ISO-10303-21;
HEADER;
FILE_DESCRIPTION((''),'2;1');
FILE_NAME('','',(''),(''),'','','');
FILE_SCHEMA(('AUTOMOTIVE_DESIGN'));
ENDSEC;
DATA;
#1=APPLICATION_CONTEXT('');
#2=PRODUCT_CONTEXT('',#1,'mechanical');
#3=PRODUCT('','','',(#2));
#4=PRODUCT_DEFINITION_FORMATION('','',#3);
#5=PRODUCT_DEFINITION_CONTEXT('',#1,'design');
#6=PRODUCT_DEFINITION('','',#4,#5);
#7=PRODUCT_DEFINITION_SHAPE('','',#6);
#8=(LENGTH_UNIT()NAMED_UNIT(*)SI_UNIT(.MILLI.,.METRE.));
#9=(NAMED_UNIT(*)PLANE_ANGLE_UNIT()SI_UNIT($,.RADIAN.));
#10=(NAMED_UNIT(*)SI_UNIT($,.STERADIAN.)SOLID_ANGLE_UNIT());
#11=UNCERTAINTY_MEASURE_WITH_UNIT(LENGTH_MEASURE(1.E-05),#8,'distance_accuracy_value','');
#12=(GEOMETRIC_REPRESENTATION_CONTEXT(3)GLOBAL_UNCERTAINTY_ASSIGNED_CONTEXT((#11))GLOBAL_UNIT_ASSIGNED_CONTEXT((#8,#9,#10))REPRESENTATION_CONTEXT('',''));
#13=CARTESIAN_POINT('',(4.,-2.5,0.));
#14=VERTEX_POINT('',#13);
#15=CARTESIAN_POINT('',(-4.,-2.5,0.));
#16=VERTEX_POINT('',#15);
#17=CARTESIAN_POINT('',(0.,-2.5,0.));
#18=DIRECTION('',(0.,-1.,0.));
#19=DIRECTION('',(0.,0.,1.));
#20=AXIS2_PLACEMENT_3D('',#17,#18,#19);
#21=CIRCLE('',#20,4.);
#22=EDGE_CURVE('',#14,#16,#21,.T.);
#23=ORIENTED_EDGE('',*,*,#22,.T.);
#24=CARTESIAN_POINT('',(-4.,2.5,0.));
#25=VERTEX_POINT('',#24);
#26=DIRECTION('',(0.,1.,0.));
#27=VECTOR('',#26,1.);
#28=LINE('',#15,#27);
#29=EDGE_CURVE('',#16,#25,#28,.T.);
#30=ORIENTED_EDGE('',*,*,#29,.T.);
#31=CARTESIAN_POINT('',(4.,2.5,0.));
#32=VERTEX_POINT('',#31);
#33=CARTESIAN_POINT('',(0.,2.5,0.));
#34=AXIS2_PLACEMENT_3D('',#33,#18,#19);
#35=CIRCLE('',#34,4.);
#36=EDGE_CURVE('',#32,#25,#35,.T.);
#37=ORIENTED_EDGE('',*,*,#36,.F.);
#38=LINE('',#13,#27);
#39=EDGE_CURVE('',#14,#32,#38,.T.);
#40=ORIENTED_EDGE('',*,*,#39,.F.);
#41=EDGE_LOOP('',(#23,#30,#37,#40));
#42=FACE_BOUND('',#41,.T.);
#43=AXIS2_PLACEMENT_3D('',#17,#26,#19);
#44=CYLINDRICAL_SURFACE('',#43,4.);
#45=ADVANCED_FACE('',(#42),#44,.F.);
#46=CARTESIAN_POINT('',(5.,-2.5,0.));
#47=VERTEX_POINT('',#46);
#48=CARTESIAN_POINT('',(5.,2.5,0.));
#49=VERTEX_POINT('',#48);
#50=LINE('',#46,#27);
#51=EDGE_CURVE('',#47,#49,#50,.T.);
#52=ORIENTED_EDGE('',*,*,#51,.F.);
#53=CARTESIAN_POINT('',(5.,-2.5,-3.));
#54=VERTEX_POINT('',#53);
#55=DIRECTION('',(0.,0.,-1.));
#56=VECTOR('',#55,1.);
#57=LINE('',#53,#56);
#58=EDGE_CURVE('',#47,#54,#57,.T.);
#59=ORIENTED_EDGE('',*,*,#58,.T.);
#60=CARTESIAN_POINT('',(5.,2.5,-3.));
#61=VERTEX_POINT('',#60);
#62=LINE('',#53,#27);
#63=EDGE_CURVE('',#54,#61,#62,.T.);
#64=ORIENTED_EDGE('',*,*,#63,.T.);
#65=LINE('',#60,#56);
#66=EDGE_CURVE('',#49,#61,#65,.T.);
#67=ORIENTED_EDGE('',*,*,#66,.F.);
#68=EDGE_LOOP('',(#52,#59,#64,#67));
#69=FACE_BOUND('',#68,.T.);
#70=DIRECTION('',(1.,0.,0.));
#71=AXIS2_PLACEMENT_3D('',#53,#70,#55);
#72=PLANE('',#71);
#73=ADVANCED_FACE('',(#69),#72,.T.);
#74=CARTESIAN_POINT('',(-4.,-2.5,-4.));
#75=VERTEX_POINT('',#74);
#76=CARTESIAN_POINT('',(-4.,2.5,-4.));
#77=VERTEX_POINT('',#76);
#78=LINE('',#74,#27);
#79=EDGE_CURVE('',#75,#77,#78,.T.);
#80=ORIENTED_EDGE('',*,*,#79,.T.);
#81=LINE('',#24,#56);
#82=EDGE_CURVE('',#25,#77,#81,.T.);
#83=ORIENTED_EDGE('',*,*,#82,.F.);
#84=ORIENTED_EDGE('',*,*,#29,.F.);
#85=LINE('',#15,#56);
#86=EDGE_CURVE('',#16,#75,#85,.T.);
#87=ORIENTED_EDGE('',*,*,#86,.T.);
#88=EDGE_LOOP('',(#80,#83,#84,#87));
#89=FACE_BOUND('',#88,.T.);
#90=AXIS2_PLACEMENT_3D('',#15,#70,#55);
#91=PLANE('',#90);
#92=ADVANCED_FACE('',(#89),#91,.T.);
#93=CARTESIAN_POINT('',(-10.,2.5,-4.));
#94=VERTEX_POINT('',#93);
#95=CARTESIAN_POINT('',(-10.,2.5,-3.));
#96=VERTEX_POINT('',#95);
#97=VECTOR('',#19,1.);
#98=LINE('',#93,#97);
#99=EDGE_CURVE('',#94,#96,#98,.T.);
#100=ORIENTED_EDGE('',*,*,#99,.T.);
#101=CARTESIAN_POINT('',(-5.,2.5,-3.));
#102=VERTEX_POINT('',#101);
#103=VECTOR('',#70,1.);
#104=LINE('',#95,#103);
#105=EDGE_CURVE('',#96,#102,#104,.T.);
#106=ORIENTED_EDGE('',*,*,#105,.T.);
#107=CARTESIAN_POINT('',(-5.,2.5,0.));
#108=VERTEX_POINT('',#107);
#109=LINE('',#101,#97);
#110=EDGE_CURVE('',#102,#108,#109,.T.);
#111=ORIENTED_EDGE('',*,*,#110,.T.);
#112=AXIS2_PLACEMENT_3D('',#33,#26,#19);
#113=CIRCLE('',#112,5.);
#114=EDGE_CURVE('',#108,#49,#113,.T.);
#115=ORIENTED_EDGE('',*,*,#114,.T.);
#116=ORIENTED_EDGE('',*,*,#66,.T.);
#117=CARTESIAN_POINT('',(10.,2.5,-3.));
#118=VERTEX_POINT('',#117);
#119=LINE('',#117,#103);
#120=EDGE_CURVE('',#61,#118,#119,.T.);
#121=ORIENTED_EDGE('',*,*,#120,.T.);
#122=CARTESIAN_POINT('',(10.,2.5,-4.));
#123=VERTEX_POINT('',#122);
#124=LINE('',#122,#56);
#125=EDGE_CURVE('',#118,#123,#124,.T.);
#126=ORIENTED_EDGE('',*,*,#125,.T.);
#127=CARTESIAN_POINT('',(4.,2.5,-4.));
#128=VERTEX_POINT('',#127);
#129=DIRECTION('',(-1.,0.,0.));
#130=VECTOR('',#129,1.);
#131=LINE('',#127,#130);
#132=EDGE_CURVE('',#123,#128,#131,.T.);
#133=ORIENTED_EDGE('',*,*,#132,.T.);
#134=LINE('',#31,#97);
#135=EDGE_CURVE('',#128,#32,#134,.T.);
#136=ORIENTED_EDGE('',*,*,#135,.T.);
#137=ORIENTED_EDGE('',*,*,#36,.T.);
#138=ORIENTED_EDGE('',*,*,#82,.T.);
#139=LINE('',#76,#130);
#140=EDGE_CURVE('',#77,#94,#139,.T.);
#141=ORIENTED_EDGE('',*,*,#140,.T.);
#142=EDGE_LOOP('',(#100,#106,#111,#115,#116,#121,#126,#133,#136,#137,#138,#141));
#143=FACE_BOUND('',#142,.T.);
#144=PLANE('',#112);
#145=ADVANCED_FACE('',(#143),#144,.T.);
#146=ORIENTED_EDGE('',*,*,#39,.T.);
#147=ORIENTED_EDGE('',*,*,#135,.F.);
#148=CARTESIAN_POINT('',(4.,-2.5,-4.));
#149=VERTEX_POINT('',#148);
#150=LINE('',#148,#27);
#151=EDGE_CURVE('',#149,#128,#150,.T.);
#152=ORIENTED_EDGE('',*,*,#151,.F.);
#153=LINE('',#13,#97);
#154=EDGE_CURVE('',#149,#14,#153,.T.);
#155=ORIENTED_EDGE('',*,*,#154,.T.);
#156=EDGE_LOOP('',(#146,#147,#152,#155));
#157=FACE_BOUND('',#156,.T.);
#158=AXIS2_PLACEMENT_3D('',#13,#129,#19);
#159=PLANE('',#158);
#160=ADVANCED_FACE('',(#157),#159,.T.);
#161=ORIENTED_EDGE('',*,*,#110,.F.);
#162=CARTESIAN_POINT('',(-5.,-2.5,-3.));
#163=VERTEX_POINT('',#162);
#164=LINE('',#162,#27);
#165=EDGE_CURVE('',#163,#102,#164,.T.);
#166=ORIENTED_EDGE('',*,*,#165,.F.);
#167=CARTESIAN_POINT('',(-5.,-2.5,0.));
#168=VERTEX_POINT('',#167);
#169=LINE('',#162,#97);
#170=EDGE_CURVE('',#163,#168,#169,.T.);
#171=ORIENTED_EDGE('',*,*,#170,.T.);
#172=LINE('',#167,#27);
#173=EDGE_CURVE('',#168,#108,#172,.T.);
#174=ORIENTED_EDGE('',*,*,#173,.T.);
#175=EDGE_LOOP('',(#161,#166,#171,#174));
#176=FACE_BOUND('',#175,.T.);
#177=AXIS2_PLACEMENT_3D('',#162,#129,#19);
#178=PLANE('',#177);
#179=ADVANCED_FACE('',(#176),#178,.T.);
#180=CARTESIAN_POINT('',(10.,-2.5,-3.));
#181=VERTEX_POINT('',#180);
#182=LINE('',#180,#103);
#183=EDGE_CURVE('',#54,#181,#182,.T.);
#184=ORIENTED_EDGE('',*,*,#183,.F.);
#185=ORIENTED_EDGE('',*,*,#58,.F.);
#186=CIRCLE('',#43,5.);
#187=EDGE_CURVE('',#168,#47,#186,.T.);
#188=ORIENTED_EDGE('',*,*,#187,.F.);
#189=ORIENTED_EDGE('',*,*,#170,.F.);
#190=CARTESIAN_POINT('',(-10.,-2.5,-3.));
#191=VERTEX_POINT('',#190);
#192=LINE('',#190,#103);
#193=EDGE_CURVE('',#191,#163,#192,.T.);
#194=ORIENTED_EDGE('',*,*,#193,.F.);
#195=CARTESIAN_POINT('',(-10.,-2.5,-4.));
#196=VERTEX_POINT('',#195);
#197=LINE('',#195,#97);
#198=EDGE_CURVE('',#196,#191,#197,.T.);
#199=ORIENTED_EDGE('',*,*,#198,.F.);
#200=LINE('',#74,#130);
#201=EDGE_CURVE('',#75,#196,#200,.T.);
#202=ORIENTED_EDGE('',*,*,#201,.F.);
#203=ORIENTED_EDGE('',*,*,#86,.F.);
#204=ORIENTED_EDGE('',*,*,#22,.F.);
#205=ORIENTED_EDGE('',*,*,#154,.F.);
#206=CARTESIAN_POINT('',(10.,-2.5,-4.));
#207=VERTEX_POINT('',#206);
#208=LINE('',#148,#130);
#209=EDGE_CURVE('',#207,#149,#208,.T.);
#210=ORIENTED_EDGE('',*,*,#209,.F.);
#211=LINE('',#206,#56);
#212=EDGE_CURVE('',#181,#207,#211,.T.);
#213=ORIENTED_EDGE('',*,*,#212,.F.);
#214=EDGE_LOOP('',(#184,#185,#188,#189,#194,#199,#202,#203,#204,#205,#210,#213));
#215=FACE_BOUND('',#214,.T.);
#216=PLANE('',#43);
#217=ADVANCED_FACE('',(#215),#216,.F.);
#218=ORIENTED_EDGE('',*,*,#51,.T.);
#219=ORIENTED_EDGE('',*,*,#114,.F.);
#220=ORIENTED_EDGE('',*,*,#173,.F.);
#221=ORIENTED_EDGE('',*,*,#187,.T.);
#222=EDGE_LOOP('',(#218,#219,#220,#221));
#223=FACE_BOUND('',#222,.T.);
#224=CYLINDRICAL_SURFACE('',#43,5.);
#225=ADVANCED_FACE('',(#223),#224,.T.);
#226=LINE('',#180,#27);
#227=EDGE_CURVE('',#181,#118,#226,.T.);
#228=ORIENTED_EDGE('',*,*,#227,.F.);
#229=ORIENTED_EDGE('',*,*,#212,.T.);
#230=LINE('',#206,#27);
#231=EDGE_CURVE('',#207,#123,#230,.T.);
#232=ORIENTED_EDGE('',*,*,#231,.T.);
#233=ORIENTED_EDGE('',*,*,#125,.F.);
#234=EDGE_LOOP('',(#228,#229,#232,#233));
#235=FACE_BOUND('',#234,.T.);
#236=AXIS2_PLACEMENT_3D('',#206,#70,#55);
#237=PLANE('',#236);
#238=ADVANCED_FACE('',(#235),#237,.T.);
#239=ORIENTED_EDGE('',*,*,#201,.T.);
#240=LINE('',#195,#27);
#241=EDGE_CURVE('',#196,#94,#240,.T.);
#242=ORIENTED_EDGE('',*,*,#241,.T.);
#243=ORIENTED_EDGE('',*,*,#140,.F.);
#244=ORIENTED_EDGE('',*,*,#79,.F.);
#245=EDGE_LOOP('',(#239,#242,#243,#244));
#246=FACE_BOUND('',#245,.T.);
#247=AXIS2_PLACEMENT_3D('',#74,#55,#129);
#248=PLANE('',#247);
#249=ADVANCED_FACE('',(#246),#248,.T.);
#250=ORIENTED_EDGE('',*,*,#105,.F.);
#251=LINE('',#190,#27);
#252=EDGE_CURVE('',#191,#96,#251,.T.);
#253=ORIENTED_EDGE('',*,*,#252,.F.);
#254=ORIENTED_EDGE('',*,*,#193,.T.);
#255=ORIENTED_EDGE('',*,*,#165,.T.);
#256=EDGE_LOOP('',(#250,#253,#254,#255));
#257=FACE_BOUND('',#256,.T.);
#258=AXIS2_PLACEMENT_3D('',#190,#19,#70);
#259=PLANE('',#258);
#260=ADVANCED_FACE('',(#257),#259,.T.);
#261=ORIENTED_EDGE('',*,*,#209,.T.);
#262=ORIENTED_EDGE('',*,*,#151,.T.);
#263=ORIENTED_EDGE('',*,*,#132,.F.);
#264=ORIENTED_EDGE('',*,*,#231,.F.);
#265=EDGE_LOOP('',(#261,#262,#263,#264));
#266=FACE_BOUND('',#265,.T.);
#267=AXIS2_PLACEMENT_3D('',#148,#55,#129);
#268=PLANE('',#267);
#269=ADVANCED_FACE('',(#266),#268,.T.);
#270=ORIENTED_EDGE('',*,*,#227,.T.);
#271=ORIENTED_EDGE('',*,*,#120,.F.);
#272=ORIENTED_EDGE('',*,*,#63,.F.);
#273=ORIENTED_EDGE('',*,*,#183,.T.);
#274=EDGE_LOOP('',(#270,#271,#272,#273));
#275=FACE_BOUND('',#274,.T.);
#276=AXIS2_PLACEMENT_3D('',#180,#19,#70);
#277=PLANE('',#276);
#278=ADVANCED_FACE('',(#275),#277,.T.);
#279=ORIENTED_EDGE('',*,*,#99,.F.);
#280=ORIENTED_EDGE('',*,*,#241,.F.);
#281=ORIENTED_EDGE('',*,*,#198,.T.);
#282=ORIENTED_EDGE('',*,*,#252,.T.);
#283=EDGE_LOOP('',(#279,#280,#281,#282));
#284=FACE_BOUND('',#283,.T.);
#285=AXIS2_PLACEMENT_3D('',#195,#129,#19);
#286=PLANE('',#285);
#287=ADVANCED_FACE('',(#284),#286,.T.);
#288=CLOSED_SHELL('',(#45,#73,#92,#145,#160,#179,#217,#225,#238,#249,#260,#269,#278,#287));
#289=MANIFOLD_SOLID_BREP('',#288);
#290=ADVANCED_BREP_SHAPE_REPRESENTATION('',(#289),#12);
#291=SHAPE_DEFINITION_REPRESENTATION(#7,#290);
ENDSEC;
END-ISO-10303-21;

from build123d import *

# Parameters (mm, degrees)
BOSS_EXTRUDE2_DEPTH      = 2.5
BOSS_EXTRUDE2_DEPTH_BACK = 2.5


with BuildPart() as part:
    # Sketch1 → Boss-Extrude2 (new, two sides: drawn at the far end of the back side and taken through both)
    with BuildSketch(Plane(origin=(0, 0, 0), x_dir=(1, 0, 0), z_dir=(0, 1, 0)).offset(-BOSS_EXTRUDE2_DEPTH_BACK)):
        with BuildLine():
            Line((-4, 0), (-4, 4))
            Line((-4, 4), (-10, 4))
            Line((-10, 4), (-10, 3))
            Line((-10, 3), (-5, 3))
            Line((-5, 3), (-5, 0))
            ThreePointArc((-5, 0), (0, -5), (5, 0))
            Line((5, 0), (5, 3))
            Line((5, 3), (10, 3))
            Line((10, 3), (10, 4))
            Line((10, 4), (4, 4))
            Line((4, 4), (4, 0))
            ThreePointArc((4, 0), (0, -4), (-4, 0))
        make_face()
    extrude(amount=BOSS_EXTRUDE2_DEPTH + BOSS_EXTRUDE2_DEPTH_BACK)


solid = part.part
